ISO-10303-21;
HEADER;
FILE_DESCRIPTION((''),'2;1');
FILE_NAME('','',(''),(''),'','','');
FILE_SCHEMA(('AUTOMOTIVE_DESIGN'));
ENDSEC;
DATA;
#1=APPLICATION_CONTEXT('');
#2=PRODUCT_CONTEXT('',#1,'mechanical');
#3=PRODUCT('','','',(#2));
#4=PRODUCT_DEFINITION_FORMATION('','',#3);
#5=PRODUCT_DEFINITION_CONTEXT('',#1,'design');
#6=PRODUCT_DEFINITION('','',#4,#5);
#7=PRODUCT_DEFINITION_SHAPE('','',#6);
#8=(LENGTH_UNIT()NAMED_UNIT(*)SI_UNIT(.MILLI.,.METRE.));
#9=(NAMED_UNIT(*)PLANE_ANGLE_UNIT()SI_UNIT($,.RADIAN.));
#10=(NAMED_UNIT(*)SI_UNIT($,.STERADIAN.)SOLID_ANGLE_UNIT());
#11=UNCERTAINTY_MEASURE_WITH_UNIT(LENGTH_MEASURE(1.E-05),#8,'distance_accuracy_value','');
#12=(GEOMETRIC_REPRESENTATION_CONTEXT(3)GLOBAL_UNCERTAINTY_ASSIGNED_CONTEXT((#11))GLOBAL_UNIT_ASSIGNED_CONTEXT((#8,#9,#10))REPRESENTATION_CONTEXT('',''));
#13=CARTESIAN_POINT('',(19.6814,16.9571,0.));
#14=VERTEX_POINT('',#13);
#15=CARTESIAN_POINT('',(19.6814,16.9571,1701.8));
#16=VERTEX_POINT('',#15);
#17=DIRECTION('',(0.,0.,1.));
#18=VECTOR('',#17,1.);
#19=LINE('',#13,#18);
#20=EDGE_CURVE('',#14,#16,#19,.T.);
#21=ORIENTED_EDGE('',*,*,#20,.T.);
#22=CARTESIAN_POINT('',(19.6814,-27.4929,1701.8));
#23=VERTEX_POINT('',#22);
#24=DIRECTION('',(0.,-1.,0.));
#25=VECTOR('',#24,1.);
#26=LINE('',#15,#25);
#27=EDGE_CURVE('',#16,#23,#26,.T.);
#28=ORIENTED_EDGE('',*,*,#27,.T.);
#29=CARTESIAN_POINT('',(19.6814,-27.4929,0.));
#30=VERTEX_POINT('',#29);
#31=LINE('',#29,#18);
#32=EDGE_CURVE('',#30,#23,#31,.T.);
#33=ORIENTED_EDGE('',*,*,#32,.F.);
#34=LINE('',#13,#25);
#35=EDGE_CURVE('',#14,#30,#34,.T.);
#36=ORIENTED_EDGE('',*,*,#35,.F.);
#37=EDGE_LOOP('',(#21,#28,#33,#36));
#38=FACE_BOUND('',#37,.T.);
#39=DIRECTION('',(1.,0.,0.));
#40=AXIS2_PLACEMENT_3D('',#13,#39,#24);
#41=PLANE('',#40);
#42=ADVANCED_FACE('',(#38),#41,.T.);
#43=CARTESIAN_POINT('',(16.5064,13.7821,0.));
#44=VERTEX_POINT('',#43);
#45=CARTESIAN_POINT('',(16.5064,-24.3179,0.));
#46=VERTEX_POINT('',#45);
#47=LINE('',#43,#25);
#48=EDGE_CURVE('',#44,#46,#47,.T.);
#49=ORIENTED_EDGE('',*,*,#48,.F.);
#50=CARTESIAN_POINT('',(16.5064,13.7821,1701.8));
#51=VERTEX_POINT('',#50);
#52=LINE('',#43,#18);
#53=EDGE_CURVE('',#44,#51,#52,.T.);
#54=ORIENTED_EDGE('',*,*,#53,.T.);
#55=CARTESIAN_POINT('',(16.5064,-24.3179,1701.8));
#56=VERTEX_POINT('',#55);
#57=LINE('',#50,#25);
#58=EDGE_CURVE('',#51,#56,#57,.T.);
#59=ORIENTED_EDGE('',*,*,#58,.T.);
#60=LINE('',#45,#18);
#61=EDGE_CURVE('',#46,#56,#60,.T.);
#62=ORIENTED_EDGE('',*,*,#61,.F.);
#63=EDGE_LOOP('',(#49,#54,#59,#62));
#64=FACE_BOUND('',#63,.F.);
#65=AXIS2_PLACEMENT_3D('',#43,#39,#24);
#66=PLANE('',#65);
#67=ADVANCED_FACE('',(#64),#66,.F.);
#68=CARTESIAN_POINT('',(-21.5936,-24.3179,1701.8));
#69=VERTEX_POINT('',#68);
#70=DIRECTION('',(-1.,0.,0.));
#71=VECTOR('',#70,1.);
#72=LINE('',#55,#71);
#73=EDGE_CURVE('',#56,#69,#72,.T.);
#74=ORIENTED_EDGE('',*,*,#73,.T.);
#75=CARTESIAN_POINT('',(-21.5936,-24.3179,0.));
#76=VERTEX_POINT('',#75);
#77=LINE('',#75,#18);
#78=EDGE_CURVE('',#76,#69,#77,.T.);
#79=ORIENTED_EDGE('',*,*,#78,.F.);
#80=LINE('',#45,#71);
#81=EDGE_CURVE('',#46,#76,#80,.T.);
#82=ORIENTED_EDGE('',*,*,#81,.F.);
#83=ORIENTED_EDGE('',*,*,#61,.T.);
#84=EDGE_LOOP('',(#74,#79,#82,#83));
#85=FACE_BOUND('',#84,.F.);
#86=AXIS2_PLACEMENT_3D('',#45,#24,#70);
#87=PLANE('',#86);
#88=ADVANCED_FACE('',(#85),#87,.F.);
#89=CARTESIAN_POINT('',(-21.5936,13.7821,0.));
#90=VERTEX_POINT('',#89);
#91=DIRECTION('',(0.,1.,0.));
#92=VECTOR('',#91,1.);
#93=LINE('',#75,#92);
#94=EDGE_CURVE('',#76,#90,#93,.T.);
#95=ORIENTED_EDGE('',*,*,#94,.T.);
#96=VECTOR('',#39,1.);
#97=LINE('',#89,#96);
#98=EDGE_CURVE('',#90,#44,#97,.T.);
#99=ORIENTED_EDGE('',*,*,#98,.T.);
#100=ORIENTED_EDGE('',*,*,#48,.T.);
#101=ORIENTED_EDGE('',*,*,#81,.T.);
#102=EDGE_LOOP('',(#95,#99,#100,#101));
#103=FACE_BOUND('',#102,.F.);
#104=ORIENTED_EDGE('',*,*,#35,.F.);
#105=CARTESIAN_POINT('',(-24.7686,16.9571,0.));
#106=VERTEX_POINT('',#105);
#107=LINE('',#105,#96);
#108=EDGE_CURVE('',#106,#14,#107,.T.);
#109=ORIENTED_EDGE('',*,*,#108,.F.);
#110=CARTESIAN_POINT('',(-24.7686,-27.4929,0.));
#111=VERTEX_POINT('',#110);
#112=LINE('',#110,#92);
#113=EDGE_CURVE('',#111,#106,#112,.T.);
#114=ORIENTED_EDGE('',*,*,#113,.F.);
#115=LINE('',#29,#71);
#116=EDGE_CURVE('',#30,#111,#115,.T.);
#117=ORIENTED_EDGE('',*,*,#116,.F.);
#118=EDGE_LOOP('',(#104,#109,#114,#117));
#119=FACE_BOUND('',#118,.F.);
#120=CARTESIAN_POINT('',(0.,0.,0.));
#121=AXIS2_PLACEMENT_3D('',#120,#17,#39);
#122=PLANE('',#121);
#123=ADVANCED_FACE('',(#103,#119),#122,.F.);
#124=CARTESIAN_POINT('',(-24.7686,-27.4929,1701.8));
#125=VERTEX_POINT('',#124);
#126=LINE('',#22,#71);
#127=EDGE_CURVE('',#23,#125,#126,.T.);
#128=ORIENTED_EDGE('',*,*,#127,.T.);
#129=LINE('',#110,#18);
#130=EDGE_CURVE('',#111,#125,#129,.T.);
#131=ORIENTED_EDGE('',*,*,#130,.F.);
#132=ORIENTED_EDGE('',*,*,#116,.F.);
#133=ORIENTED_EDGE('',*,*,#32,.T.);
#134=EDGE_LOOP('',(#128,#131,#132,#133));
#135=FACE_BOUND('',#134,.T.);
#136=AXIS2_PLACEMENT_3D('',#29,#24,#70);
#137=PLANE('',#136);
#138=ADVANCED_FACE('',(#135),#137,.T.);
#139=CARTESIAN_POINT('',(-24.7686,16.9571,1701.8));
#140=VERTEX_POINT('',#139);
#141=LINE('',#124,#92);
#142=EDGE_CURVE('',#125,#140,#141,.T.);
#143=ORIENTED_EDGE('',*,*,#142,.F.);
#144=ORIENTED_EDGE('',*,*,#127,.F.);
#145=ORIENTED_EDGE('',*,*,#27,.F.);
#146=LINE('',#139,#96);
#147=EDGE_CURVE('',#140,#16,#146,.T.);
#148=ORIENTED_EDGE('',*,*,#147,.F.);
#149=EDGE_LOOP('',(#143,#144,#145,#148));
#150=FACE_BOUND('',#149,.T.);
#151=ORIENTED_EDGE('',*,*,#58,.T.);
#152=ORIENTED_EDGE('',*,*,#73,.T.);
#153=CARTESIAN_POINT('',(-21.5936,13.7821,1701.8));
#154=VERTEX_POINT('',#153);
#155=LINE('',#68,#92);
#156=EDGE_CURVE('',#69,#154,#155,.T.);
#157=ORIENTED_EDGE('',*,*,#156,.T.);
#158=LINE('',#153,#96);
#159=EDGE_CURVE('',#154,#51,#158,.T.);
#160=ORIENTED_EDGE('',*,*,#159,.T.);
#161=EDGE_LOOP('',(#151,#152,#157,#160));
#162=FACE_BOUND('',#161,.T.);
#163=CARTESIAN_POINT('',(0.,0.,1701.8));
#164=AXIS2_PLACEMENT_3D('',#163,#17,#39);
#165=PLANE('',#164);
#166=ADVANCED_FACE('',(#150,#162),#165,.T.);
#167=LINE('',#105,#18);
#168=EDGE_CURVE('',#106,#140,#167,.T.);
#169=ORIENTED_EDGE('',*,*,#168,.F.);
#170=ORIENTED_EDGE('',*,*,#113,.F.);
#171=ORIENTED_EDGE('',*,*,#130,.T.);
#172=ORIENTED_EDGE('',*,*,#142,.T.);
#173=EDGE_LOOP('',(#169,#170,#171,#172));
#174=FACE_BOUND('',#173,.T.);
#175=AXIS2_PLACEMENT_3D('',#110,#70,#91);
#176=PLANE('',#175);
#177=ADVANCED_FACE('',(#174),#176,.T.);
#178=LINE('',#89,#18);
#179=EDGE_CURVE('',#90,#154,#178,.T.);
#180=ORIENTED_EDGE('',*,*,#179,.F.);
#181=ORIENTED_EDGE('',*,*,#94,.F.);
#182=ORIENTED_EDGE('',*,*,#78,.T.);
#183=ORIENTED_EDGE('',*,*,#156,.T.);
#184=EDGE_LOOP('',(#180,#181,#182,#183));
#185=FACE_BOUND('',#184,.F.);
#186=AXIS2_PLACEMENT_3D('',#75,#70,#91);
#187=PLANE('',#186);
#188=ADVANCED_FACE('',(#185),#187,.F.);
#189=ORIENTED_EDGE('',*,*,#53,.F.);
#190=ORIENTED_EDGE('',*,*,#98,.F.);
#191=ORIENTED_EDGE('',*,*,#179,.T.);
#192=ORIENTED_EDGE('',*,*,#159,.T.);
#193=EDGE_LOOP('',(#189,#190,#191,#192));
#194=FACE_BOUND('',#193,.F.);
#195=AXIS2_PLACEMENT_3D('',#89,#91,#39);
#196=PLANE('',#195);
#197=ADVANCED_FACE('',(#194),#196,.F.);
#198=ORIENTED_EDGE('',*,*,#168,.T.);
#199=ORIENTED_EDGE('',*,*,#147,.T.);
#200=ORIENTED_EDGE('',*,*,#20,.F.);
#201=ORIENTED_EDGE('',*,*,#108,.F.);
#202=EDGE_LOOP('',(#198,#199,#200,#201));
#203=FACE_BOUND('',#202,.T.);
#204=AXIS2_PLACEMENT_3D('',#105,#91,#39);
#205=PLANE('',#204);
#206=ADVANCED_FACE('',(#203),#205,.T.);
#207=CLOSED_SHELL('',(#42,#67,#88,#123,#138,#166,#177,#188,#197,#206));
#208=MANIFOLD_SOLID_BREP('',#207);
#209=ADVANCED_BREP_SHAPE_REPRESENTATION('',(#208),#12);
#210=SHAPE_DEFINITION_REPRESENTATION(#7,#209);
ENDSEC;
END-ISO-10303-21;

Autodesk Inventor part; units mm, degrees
ref_plane "YZ Plane" through (0, 0, 0) normal (1, 0, 0) x (0, 1, 0)
ref_plane "XZ Plane" through (0, 0, 0) normal (0, 1, 0) x (-1, 0, 0)
ref_plane "XY Plane" through (0, 0, 0) normal (0, 0, 1) x (1, 0, 0)
sketch "Sketch1" plane through (0, 0, 0) normal (0, 0, 1) x (1, 0, 0)
  line L0 (-24.7686, 16.9571) -> (19.6814, 16.9571)
  line L1 (19.6814, 16.9571) -> (19.6814, -27.4929)
  line L2 (19.6814, -27.4929) -> (-24.7686, -27.4929)
  line L3 (-24.7686, -27.4929) -> (-24.7686, 16.9571)
  line L4 (-21.5936, 13.7821) -> (16.5064, 13.7821)
  line L5 (16.5064, 13.7821) -> (16.5064, -24.3179)
  line L6 (16.5064, -24.3179) -> (-21.5936, -24.3179)
  line L7 (-21.5936, -24.3179) -> (-21.5936, 13.7821)
  dimension "d0" = 44.45
  dimension "d1" = 44.45
  dimension "d2" = 3.175
  dimension "d3" = 3.175
  dimension "d4" = 3.175
  dimension "d5" = 3.175
extrude "Extrusion1" add sketch "Sketch1" along normal blind 1701.8
equation "\"d1\" = d0"
equation "\"d3\" = d2"
equation "\"d4\" = d2"
equation "\"d5\" = d2"
properties part number "GE-12028-03"
